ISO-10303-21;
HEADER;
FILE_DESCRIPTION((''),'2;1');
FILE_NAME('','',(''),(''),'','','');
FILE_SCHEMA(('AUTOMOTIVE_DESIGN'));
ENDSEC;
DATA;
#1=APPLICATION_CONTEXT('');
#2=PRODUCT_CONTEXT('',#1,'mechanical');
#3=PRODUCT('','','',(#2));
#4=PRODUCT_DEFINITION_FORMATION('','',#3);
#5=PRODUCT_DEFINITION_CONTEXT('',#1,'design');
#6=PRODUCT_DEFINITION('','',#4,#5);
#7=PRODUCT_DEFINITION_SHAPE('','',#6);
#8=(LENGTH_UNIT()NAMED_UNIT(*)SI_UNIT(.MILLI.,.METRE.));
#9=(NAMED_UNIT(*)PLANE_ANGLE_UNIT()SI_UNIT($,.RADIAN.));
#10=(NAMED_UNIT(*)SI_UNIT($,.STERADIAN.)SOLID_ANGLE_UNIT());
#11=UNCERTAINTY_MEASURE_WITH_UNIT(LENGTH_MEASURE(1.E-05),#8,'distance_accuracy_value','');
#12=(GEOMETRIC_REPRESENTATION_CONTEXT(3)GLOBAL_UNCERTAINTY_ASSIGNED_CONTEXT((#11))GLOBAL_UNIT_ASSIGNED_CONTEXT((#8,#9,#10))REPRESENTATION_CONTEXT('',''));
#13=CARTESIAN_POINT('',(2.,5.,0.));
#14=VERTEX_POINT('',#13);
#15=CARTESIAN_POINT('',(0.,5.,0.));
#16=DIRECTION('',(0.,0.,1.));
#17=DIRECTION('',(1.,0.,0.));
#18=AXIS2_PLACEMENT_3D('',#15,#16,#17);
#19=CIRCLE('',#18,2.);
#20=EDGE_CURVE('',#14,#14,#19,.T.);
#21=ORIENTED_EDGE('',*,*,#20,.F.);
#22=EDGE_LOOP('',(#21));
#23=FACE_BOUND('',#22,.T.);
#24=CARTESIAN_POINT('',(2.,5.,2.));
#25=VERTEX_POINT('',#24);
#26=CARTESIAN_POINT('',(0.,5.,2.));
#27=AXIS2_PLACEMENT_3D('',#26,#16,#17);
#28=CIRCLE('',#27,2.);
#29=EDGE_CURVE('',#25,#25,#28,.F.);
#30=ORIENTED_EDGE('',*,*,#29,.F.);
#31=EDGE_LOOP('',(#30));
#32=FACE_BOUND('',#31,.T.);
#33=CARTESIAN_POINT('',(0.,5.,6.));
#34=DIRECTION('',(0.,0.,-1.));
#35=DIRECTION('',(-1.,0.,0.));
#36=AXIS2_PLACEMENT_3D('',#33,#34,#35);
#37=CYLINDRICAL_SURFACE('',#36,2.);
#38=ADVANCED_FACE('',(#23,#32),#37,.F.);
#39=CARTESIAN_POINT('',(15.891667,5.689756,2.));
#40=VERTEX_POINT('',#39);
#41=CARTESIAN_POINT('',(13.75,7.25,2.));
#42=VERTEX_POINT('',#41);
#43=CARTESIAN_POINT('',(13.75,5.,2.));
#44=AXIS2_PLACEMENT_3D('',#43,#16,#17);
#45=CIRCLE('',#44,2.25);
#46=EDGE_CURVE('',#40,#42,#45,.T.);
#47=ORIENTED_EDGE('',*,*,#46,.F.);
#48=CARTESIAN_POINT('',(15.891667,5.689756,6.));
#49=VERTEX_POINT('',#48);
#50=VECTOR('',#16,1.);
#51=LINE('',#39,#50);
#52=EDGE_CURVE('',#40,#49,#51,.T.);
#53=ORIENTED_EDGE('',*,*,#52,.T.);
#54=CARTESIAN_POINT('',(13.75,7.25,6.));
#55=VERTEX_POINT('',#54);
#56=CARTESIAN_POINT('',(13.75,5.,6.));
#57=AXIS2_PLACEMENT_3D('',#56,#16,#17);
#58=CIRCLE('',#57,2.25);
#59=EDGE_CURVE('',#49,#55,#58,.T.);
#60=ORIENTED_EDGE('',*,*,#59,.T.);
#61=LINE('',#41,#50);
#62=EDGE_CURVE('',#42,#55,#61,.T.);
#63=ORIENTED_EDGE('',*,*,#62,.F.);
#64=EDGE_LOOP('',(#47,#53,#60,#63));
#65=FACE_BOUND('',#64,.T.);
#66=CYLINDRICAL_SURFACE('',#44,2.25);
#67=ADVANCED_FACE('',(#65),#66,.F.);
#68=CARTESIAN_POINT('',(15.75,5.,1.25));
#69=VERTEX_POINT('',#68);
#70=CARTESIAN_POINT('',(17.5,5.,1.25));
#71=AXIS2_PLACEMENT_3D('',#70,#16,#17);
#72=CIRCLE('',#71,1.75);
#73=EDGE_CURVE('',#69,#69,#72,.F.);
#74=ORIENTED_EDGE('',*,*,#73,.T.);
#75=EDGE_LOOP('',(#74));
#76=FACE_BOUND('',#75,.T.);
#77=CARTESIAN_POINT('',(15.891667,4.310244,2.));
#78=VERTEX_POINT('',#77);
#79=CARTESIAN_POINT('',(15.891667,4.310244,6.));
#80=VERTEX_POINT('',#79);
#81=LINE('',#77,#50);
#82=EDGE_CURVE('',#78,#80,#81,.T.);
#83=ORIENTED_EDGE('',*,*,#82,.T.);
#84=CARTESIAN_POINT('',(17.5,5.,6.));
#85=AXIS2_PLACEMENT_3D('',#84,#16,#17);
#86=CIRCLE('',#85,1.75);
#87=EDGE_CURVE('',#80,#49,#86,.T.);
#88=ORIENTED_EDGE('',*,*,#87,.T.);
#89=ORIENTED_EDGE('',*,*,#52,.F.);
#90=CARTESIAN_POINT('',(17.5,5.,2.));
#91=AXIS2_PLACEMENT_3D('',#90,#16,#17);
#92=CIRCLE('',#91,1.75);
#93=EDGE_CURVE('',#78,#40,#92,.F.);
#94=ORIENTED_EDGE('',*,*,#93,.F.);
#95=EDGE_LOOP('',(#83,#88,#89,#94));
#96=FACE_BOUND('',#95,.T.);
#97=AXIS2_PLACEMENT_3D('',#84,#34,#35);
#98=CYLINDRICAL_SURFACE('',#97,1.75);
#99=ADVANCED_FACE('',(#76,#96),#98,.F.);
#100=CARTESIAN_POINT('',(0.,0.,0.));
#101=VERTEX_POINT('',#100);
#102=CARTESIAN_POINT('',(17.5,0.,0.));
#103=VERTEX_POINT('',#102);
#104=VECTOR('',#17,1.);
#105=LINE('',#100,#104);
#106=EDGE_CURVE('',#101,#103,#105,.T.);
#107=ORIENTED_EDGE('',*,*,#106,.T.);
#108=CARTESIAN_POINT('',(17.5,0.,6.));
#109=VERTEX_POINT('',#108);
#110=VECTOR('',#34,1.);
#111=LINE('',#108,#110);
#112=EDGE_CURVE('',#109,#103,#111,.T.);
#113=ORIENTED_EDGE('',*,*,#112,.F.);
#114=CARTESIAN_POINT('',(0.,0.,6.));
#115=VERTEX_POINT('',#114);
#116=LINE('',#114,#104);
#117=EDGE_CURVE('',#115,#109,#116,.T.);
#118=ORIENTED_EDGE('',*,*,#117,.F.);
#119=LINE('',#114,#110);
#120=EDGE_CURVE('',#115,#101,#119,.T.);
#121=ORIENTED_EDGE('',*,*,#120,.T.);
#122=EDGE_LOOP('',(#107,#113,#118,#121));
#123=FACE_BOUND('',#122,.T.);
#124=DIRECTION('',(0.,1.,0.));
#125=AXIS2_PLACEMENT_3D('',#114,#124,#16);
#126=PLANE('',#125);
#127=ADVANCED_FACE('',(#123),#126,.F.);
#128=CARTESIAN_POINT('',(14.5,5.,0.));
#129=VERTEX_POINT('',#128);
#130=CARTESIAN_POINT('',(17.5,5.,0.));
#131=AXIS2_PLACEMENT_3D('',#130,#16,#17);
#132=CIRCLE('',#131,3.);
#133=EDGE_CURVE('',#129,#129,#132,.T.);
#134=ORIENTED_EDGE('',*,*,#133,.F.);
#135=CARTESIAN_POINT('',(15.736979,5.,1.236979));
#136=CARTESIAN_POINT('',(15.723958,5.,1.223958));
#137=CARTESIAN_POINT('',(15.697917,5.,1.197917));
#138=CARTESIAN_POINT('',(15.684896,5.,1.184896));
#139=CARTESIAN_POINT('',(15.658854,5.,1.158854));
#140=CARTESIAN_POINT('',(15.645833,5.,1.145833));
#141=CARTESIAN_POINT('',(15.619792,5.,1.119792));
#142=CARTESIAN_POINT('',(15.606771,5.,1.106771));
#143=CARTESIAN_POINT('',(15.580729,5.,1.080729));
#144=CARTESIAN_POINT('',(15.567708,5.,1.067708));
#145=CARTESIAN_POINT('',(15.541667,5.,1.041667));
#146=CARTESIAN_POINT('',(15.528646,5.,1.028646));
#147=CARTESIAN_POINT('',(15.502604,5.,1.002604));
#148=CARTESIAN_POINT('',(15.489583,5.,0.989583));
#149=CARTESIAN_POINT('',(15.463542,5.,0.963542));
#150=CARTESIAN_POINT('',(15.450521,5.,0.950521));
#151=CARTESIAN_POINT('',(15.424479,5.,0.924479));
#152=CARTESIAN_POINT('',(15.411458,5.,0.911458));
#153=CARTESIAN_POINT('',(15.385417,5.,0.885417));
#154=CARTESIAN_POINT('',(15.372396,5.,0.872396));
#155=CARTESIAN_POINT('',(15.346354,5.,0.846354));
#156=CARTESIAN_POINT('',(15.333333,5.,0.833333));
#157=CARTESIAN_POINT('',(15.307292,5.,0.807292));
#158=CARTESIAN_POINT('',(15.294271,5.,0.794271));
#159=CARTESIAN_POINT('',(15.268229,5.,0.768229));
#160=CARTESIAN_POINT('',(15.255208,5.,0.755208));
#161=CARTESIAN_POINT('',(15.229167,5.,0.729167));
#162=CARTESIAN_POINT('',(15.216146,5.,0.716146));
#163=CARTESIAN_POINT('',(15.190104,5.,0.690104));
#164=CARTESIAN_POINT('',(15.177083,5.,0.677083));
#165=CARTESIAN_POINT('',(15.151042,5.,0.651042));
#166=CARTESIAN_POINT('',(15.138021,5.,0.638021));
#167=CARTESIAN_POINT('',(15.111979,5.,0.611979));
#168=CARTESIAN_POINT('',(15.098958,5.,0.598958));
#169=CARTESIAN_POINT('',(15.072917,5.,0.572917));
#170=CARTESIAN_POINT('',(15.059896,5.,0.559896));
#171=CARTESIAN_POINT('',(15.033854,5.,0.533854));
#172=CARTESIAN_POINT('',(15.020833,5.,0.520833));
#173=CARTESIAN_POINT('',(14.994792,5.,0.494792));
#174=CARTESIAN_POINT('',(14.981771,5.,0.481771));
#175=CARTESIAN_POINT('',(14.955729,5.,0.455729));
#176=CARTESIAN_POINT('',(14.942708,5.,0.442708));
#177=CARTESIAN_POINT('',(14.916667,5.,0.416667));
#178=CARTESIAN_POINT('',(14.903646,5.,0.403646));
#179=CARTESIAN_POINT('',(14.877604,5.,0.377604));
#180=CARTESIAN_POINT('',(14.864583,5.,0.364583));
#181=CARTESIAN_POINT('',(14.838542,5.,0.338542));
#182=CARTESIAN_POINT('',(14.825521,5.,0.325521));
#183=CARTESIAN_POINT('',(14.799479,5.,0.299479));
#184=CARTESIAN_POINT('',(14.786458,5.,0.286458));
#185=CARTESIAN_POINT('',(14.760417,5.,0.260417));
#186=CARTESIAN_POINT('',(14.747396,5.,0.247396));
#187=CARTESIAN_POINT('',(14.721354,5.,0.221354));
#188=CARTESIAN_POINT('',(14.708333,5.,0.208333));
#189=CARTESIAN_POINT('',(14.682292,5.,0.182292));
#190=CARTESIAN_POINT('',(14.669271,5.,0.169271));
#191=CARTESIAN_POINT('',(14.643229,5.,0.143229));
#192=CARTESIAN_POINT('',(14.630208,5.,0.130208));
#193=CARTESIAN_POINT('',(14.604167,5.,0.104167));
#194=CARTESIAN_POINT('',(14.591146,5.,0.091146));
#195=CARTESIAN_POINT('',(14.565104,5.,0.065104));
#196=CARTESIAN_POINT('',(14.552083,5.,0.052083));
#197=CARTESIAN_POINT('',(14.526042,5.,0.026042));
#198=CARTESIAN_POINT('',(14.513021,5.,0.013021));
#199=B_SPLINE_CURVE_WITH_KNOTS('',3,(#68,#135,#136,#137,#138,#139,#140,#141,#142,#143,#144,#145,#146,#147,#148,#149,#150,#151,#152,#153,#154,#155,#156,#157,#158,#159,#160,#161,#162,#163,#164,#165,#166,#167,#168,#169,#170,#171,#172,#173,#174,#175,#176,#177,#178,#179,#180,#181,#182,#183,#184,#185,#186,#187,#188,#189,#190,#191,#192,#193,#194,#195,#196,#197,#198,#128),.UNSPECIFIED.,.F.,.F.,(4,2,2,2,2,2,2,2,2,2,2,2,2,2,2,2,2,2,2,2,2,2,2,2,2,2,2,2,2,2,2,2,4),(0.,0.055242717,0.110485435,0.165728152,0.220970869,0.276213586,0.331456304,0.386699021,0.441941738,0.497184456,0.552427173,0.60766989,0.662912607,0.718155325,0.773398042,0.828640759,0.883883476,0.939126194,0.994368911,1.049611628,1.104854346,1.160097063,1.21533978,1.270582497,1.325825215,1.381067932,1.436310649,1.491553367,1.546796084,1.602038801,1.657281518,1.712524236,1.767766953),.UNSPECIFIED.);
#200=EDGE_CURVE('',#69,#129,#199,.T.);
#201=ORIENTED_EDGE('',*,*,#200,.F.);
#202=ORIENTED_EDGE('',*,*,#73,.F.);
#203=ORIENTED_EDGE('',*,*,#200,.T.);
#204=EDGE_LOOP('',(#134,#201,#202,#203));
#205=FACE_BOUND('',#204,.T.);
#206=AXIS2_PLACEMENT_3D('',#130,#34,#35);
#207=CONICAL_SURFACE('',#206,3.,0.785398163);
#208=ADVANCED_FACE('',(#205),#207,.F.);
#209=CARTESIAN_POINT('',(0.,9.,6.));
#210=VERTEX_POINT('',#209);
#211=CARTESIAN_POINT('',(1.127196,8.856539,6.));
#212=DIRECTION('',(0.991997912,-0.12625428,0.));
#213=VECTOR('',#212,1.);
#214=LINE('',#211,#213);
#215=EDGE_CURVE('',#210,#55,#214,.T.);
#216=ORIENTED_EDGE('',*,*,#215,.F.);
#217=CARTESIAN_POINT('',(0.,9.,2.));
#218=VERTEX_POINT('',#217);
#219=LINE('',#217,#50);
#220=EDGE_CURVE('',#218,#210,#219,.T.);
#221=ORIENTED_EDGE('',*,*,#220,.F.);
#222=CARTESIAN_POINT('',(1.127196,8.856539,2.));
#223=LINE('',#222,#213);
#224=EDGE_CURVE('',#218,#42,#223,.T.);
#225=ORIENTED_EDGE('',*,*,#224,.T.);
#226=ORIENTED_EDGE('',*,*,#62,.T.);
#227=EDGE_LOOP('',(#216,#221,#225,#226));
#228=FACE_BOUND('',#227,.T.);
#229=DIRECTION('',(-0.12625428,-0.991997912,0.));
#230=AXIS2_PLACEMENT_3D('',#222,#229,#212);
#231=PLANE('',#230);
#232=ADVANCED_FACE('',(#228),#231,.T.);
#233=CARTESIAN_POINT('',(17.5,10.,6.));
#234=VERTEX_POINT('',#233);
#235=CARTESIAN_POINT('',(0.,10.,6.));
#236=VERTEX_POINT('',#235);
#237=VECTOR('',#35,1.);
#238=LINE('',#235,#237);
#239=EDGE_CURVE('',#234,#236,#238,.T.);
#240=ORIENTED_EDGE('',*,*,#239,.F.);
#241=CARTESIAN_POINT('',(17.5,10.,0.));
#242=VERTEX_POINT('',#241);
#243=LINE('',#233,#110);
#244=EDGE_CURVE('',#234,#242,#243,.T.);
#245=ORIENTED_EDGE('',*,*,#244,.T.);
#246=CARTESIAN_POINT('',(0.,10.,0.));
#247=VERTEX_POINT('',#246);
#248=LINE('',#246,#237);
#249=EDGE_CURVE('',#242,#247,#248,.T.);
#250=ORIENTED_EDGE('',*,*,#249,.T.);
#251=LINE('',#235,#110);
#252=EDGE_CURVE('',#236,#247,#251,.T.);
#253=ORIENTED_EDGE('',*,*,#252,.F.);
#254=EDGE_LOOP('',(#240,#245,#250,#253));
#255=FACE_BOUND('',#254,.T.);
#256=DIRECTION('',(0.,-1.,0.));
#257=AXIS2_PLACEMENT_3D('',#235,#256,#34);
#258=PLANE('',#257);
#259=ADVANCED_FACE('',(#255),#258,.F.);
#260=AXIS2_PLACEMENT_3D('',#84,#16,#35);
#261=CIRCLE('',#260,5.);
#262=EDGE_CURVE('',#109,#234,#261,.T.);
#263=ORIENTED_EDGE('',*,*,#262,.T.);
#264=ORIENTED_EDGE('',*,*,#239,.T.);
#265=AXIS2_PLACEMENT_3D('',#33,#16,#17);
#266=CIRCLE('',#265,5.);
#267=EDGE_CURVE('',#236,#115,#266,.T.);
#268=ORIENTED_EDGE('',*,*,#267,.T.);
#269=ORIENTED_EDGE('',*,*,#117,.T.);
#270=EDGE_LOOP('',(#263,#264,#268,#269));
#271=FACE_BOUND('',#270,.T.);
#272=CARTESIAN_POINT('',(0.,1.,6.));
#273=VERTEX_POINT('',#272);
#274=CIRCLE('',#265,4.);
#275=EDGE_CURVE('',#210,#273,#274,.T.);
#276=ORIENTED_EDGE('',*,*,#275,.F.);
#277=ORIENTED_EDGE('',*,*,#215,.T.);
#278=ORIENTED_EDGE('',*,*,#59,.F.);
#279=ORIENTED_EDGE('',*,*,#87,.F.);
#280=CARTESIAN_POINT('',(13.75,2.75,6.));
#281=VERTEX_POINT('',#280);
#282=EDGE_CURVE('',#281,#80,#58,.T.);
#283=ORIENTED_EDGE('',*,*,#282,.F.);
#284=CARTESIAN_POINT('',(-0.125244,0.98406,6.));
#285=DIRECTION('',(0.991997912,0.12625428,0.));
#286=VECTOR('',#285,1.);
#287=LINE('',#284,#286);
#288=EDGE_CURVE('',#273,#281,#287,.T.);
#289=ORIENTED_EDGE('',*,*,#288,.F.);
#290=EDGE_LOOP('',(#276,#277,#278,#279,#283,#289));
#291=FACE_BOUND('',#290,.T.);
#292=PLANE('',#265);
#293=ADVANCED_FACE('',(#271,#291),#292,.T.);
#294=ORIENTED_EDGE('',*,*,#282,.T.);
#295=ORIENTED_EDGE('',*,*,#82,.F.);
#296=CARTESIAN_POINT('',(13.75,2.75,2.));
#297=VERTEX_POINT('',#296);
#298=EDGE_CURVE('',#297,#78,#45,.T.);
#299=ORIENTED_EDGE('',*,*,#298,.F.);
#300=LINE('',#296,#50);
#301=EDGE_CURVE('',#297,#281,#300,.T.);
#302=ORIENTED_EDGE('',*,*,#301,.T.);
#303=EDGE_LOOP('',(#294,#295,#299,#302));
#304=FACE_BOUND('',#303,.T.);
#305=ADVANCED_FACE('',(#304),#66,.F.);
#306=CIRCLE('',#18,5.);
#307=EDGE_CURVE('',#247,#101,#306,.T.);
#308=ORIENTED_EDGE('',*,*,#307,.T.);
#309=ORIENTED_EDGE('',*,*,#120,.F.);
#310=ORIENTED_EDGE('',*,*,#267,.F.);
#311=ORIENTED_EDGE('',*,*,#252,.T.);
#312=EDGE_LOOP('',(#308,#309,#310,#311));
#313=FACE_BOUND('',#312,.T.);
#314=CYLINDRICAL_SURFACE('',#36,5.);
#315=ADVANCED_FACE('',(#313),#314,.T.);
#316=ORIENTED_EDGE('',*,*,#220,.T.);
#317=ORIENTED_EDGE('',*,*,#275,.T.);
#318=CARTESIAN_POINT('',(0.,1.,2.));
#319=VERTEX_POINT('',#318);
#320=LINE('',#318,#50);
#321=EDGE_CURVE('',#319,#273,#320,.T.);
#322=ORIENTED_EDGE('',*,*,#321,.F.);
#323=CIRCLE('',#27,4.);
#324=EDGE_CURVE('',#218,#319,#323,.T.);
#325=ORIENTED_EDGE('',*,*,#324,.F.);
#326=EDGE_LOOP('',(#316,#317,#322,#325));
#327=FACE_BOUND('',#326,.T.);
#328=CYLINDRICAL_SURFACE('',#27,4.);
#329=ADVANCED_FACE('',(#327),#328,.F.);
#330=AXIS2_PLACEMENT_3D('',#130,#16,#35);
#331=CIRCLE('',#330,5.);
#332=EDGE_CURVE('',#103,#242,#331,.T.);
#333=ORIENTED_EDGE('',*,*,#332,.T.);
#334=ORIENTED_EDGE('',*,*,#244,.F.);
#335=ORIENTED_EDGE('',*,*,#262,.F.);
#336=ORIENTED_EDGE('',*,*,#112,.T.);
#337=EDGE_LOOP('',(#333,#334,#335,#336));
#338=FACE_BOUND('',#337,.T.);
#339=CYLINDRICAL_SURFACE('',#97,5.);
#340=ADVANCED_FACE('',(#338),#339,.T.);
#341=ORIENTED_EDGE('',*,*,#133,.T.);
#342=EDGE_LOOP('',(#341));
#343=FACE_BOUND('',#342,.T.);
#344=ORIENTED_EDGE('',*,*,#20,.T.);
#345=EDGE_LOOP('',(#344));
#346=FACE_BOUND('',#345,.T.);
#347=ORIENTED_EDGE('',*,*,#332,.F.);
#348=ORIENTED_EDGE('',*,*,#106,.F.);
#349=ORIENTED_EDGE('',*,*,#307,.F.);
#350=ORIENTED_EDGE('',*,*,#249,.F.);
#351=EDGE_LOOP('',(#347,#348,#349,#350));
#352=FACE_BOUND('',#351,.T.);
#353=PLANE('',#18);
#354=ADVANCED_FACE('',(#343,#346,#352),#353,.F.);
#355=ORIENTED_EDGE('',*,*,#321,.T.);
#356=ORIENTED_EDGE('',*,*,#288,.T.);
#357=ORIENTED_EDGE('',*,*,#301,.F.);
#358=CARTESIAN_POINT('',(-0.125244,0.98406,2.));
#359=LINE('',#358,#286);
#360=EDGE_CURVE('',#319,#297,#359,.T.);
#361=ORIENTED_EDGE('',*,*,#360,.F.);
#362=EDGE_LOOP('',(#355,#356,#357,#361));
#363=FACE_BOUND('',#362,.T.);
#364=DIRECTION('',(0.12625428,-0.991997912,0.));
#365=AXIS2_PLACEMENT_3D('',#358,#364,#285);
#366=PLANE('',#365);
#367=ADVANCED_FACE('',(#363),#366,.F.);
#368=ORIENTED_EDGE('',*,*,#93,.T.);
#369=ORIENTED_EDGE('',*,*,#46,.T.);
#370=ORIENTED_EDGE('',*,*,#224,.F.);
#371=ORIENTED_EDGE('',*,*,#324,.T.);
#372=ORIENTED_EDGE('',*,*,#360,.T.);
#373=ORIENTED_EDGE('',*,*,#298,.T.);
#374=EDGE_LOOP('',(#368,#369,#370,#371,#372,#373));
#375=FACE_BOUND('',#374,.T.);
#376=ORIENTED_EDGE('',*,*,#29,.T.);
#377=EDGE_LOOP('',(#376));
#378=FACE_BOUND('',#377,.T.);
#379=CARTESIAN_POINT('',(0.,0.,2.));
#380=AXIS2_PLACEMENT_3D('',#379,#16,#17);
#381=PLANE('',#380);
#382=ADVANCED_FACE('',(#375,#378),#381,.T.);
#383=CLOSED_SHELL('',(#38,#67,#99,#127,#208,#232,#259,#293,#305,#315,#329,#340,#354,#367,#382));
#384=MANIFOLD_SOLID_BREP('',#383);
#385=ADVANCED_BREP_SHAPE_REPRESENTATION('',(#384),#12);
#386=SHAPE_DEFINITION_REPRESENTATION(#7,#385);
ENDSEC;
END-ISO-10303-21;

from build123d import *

# Parameters (mm, degrees)
ESQUISSE1_R             = 2
ESQUISSE1_R_2           = 1.75
BOSS_EXTRU_1_DEPTH      = 6
ENL_V_START             = -4
ESQUISSE2_R             = 2
ENL_V_MAT_EXTRU_1_DEPTH = 4
CHANFREIN2_SIZE         = 1.25


with BuildPart() as part:
    # Esquisse1 → Boss.-Extru.1 (new body)
    with BuildSketch(Plane.XY):
        with BuildLine():
            Line((0, 0), (17.5, 0))
            ThreePointArc((17.5, 0), (22.5, 5), (17.5, 10))
            Line((17.5, 10), (0, 10))
            ThreePointArc((0, 10), (-5, 5), (0, 0))
        make_face()
        with Locations((0, 5)):
            Circle(ESQUISSE1_R, mode=Mode.SUBTRACT)
        with Locations((17.5, 5)):
            Circle(ESQUISSE1_R_2, mode=Mode.SUBTRACT)
    extrude(amount=BOSS_EXTRU_1_DEPTH)

    # Esquisse2 → Enlèv. mat.-Extru.1 (cut)
    with BuildSketch(Plane.XY.offset(6).offset(ENL_V_START)):
        with BuildLine():
            Line((1.001951854, 8.872478855), (0, 9))
            ThreePointArc((0, 9), (-4, 5), (0, 1))
            Line((0, 1), (1.001951854, 1.127521145))
            Line((1.001951854, 1.127521145), (13.75, 2.75))
            ThreePointArc((13.75, 2.75), (15.07486756, 3.181421998), (15.891666667, 4.310243602))
            ThreePointArc((15.891666667, 4.310243602), (15.75, 5), (15.891666667, 5.689756398))
            ThreePointArc((15.891666667, 5.689756398), (15.07486756, 6.818578002), (13.75, 7.25))
            Line((13.75, 7.25), (1.001951854, 8.872478855))
        make_face()
        with Locations((0, 5)):
            Circle(ESQUISSE2_R, mode=Mode.SUBTRACT)
    extrude(amount=ENL_V_MAT_EXTRU_1_DEPTH, mode=Mode.SUBTRACT)

    # Chanfrein2
    chanfrein2_edges = [part.edges().sort_by_distance(p)[0] for p in [
        (15.75, 5, 0),
    ]]
    chamfer(chanfrein2_edges, length=CHANFREIN2_SIZE)


solid = part.part
